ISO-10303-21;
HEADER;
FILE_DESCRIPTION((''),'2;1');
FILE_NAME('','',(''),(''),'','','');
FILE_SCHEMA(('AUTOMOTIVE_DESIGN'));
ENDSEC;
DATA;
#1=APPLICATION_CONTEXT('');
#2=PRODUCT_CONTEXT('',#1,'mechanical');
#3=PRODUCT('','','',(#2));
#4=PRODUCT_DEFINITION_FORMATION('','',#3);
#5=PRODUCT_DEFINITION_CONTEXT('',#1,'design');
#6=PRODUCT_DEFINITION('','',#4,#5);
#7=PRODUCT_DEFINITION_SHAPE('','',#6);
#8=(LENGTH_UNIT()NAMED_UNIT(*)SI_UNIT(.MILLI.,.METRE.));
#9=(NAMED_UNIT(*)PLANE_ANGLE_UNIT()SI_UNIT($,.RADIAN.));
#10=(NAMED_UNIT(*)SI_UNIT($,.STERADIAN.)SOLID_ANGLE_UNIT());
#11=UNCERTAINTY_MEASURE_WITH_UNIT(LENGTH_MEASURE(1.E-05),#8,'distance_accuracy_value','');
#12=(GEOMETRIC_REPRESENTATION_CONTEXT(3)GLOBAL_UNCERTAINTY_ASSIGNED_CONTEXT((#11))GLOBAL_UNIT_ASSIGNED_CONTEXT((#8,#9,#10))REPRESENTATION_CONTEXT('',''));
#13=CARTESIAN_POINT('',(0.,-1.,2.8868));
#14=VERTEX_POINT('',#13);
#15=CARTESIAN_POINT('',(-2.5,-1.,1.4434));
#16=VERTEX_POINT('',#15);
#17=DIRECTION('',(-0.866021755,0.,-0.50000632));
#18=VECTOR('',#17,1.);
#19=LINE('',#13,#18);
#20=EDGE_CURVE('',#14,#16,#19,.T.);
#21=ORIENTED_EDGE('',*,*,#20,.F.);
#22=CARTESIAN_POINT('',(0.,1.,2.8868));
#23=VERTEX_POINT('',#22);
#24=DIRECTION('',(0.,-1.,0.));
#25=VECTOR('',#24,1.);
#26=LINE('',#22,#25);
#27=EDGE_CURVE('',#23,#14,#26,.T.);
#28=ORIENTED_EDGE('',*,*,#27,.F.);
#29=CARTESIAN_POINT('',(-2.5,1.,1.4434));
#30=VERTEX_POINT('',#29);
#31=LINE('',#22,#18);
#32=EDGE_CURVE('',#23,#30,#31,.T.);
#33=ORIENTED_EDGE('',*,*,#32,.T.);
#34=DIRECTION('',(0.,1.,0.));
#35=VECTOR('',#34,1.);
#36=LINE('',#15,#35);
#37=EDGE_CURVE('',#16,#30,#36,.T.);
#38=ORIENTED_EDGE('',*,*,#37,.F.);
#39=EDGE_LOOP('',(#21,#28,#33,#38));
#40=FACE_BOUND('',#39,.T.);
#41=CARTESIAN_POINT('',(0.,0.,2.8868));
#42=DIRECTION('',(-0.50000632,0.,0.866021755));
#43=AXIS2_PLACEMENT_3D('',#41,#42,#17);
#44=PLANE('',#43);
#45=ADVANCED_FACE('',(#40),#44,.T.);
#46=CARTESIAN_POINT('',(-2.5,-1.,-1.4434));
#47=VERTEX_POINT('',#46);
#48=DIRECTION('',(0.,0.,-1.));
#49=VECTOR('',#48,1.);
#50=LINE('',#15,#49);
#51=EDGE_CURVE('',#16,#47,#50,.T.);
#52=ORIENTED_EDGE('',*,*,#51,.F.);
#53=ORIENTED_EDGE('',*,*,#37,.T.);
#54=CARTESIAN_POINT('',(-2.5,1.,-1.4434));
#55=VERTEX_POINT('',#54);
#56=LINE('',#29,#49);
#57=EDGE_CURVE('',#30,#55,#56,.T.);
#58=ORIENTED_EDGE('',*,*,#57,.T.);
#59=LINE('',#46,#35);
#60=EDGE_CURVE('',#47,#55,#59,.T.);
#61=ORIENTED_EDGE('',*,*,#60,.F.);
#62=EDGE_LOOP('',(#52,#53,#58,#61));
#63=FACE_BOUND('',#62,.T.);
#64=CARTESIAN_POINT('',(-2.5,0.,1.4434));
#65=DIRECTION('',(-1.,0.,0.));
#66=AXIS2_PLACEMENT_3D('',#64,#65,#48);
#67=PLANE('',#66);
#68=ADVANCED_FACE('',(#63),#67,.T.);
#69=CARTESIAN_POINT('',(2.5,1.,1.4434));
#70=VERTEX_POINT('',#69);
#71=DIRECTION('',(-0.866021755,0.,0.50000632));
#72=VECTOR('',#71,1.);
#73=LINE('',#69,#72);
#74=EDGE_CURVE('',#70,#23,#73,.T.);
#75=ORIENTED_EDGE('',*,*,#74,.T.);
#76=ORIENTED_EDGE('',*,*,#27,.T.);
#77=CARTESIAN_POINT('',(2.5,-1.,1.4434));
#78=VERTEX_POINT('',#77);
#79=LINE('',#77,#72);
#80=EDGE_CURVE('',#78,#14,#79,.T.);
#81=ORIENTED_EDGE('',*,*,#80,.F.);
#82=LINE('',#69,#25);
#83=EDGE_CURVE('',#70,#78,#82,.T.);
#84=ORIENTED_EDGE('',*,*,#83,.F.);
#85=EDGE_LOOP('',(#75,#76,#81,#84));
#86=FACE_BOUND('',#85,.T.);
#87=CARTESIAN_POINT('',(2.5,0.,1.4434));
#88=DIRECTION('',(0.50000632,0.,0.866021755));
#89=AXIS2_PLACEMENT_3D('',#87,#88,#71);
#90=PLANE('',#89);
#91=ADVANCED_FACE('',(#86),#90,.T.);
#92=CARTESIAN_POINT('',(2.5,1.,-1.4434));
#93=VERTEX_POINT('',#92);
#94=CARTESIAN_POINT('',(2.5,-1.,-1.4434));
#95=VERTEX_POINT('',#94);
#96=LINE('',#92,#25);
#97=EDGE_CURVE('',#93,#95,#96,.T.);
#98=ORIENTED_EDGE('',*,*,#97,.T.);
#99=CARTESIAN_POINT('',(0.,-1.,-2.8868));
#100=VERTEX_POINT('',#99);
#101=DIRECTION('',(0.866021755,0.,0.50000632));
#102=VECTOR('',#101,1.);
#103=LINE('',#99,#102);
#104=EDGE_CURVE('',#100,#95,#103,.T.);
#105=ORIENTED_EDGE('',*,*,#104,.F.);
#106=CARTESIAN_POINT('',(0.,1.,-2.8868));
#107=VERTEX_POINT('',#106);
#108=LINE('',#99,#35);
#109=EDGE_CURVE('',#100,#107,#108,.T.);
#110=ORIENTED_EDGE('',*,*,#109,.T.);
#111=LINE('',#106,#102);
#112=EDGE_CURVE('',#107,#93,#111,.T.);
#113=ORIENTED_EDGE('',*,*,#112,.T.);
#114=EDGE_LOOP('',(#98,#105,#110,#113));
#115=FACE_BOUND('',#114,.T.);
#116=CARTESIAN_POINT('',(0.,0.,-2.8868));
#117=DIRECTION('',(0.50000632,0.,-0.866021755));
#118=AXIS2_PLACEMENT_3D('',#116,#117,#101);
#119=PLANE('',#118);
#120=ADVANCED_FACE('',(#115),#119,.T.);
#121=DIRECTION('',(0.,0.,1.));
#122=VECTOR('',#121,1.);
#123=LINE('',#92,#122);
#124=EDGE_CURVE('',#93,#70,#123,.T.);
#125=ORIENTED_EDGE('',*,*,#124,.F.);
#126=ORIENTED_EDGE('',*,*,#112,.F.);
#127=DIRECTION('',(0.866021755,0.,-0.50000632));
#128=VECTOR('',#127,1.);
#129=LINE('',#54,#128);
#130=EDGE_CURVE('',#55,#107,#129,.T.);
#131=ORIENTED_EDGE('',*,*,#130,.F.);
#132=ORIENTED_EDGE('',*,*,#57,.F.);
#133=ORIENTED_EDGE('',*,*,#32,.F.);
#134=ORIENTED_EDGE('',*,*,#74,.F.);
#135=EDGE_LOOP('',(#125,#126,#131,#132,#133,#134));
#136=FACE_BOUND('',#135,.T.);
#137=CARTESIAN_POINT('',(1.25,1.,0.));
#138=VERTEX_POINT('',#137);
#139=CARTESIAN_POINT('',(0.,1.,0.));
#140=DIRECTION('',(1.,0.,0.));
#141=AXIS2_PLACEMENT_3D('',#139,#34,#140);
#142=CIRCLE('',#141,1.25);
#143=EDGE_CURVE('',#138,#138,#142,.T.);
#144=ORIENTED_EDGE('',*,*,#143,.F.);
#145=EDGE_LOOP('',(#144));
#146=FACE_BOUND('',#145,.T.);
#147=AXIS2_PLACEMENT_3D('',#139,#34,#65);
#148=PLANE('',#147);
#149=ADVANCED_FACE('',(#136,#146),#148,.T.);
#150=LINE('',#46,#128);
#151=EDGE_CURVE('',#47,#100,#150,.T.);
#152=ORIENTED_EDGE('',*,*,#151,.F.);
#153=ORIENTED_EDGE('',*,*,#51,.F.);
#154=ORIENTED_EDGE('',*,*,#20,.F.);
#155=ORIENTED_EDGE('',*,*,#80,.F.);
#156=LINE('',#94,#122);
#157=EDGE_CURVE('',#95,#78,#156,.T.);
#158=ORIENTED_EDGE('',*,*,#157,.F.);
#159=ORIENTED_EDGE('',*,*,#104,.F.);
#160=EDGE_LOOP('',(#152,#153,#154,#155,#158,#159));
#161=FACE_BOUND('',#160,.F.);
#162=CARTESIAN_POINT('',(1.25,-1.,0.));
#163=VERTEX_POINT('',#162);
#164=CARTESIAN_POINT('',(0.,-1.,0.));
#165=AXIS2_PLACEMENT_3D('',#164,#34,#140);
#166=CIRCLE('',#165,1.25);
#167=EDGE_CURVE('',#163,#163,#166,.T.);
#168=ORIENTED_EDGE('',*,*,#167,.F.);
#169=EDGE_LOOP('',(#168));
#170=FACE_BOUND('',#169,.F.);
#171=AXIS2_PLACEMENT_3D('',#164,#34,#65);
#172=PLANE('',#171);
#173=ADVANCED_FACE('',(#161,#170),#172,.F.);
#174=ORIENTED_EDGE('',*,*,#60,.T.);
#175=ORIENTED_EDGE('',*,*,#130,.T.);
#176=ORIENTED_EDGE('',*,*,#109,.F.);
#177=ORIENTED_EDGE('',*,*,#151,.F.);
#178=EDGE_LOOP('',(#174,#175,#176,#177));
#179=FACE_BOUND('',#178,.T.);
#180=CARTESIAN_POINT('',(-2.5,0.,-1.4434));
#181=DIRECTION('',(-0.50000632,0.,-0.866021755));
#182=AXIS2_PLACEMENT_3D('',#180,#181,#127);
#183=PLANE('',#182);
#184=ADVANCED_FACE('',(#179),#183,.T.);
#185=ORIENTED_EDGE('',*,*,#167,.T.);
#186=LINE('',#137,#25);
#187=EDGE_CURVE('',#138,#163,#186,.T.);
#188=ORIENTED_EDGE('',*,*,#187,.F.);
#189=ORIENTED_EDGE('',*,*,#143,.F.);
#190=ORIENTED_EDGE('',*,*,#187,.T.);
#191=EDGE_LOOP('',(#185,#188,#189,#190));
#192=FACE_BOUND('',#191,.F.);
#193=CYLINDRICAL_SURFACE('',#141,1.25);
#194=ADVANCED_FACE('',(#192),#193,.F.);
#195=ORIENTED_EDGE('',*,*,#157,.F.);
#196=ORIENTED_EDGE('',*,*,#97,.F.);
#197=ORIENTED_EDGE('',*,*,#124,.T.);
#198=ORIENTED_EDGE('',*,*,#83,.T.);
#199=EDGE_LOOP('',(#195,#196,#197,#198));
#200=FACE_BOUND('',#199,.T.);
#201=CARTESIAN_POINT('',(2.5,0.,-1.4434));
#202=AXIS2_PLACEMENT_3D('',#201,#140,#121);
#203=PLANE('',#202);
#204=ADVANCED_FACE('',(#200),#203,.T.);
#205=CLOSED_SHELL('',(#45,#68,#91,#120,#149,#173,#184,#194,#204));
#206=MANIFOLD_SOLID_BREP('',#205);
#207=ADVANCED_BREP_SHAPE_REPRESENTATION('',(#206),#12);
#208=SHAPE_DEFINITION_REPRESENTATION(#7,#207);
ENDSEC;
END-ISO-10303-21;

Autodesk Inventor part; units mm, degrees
ref_plane "YZ Plane" through (0, 0, 0) normal (1, 0, 0) x (0, 1, 0)
ref_plane "XZ Plane" through (0, 0, 0) normal (0, 1, 0) x (-1, 0, 0)
ref_plane "XY Plane" through (0, 0, 0) normal (0, 0, 1) x (1, 0, 0)
sketch "Schizzo1" plane through (0, 0, 0) normal (0, 1, 0) x (-1, 0, 0)
  line L0 (0, -2.8868) -> (-2.5, -1.4434)
  line L1 (-2.5, -1.4434) -> (-2.5, 1.4434)
  line L2 (-2.5, 1.4434) -> (0, 2.8868)
  line L3 (0, 2.8868) -> (2.5, 1.4434)
  line L4 (2.5, 1.4434) -> (2.5, -1.4434)
  line L5 (2.5, -1.4434) -> (0, -2.8868)
  point P0 (0, 0)
  point P1 (0, 0)
  dimension "d0" = 5
extrude "Estrusione1" add sketch "Schizzo1" along normal mid plane 2
sketch "Schizzo2" plane through (0, 1, 0) normal (0, 1, 0) x (1, 0, 0)
  circle A0 centre (0, 0) radius 1.25
  dimension "d3" = 2.5
extrude "Estrusione2" cut sketch "Schizzo2" against normal through all
thread "Filettatura1" size "M2.5x0.45" class "6H" standard "ISO Metric profile" length 20
equation "\"d0\" = es"
equation "\"d1\" = spess"
equation "\"d3\" = d"
equation "\"es\" = 5"
equation "\"spess\" = 2"
equation "\"d\" = 2.5"
properties part number "Dado esagonale"
